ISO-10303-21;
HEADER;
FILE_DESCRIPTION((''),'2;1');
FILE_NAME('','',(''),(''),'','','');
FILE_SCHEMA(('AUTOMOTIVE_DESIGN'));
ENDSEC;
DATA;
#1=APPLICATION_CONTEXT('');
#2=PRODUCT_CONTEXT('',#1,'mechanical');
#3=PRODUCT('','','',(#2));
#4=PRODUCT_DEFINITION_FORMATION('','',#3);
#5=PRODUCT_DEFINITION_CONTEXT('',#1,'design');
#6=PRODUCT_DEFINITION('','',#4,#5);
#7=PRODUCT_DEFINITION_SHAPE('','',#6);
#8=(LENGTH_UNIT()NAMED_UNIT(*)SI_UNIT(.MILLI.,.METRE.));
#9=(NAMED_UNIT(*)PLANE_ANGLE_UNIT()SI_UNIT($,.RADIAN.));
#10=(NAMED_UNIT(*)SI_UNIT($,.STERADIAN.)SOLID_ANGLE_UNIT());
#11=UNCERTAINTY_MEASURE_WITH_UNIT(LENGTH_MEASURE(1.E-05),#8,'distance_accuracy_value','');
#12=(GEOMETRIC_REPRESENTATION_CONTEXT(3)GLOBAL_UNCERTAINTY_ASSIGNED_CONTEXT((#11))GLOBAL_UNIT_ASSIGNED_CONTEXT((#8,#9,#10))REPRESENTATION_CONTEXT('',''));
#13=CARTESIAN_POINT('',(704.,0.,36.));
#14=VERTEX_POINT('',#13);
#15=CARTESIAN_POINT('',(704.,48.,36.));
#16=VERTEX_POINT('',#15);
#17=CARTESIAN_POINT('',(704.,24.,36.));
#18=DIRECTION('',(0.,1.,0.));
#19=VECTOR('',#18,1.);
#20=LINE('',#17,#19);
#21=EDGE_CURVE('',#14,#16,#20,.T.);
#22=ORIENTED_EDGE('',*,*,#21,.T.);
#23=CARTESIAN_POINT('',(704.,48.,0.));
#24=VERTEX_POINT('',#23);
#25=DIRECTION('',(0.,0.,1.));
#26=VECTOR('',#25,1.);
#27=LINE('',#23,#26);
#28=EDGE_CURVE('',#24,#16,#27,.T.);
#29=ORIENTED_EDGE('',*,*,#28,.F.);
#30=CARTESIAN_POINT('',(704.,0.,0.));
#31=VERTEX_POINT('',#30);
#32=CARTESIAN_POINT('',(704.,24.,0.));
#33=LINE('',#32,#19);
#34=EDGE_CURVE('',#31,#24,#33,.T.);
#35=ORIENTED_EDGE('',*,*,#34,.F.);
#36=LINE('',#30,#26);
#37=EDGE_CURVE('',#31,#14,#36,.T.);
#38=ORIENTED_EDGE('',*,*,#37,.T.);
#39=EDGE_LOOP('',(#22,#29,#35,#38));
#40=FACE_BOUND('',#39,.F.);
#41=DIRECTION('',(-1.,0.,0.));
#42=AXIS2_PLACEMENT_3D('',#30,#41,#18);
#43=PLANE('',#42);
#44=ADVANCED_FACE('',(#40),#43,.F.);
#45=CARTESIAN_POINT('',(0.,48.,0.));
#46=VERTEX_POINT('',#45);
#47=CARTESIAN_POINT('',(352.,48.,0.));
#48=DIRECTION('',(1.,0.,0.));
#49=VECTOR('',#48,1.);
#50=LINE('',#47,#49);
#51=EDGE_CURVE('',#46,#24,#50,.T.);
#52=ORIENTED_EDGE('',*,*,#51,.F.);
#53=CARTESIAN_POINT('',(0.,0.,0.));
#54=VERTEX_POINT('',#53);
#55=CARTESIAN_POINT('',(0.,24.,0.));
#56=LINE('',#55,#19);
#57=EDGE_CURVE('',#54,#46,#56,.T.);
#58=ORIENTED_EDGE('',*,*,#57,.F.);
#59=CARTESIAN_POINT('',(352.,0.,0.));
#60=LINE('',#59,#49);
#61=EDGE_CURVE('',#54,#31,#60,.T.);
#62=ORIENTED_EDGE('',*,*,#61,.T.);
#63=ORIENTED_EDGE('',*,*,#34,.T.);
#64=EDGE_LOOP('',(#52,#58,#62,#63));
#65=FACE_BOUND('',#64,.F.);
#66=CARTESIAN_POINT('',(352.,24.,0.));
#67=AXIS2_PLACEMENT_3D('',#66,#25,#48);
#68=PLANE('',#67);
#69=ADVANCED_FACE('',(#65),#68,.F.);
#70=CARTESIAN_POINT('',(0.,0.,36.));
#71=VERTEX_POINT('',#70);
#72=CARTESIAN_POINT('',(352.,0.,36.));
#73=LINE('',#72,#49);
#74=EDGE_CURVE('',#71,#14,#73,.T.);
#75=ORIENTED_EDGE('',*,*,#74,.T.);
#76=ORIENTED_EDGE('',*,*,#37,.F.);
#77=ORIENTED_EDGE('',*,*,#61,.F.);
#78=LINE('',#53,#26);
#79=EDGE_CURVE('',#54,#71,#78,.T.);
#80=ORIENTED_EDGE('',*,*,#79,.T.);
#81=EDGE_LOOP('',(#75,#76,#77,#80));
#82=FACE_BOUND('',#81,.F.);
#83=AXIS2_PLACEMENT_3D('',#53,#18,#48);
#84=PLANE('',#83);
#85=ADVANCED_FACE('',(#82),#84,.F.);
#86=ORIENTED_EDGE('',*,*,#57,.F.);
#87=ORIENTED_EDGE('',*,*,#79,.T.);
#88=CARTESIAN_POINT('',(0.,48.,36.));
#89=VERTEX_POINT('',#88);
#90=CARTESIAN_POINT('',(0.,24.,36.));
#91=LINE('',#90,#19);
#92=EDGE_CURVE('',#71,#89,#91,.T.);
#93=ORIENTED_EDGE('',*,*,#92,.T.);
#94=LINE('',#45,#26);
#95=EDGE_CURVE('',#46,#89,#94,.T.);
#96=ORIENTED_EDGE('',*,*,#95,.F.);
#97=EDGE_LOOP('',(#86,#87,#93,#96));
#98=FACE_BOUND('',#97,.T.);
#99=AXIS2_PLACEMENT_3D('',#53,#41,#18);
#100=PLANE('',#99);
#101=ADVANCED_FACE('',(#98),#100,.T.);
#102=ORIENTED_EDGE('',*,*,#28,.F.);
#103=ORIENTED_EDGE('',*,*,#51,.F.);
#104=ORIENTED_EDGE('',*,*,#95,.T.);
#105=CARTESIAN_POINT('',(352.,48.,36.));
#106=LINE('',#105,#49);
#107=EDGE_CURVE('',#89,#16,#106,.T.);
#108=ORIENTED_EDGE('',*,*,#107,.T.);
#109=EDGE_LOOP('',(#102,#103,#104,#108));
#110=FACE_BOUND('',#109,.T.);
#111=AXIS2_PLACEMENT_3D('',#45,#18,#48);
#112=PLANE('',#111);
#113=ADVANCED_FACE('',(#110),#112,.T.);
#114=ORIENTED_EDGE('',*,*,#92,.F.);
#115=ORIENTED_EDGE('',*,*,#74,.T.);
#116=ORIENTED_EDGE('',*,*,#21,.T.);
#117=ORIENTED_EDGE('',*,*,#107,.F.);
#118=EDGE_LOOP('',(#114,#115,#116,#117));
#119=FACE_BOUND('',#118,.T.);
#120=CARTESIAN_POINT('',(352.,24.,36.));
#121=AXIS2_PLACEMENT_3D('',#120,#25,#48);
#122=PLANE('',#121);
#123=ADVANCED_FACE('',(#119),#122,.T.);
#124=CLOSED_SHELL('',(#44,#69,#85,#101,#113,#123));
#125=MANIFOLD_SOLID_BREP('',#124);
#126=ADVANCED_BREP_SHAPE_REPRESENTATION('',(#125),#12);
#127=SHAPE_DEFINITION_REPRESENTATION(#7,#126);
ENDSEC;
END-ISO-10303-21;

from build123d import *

# Parameters (mm, degrees)
BOX_W     = 704
BOX_H     = 48
BOX_DEPTH = 36


with BuildPart() as part:
    # Box → Box (new body)
    with BuildSketch(Plane.XY):
        with Locations((352, 24)):
            Rectangle(BOX_W, BOX_H)
    extrude(amount=BOX_DEPTH)


solid = part.part
